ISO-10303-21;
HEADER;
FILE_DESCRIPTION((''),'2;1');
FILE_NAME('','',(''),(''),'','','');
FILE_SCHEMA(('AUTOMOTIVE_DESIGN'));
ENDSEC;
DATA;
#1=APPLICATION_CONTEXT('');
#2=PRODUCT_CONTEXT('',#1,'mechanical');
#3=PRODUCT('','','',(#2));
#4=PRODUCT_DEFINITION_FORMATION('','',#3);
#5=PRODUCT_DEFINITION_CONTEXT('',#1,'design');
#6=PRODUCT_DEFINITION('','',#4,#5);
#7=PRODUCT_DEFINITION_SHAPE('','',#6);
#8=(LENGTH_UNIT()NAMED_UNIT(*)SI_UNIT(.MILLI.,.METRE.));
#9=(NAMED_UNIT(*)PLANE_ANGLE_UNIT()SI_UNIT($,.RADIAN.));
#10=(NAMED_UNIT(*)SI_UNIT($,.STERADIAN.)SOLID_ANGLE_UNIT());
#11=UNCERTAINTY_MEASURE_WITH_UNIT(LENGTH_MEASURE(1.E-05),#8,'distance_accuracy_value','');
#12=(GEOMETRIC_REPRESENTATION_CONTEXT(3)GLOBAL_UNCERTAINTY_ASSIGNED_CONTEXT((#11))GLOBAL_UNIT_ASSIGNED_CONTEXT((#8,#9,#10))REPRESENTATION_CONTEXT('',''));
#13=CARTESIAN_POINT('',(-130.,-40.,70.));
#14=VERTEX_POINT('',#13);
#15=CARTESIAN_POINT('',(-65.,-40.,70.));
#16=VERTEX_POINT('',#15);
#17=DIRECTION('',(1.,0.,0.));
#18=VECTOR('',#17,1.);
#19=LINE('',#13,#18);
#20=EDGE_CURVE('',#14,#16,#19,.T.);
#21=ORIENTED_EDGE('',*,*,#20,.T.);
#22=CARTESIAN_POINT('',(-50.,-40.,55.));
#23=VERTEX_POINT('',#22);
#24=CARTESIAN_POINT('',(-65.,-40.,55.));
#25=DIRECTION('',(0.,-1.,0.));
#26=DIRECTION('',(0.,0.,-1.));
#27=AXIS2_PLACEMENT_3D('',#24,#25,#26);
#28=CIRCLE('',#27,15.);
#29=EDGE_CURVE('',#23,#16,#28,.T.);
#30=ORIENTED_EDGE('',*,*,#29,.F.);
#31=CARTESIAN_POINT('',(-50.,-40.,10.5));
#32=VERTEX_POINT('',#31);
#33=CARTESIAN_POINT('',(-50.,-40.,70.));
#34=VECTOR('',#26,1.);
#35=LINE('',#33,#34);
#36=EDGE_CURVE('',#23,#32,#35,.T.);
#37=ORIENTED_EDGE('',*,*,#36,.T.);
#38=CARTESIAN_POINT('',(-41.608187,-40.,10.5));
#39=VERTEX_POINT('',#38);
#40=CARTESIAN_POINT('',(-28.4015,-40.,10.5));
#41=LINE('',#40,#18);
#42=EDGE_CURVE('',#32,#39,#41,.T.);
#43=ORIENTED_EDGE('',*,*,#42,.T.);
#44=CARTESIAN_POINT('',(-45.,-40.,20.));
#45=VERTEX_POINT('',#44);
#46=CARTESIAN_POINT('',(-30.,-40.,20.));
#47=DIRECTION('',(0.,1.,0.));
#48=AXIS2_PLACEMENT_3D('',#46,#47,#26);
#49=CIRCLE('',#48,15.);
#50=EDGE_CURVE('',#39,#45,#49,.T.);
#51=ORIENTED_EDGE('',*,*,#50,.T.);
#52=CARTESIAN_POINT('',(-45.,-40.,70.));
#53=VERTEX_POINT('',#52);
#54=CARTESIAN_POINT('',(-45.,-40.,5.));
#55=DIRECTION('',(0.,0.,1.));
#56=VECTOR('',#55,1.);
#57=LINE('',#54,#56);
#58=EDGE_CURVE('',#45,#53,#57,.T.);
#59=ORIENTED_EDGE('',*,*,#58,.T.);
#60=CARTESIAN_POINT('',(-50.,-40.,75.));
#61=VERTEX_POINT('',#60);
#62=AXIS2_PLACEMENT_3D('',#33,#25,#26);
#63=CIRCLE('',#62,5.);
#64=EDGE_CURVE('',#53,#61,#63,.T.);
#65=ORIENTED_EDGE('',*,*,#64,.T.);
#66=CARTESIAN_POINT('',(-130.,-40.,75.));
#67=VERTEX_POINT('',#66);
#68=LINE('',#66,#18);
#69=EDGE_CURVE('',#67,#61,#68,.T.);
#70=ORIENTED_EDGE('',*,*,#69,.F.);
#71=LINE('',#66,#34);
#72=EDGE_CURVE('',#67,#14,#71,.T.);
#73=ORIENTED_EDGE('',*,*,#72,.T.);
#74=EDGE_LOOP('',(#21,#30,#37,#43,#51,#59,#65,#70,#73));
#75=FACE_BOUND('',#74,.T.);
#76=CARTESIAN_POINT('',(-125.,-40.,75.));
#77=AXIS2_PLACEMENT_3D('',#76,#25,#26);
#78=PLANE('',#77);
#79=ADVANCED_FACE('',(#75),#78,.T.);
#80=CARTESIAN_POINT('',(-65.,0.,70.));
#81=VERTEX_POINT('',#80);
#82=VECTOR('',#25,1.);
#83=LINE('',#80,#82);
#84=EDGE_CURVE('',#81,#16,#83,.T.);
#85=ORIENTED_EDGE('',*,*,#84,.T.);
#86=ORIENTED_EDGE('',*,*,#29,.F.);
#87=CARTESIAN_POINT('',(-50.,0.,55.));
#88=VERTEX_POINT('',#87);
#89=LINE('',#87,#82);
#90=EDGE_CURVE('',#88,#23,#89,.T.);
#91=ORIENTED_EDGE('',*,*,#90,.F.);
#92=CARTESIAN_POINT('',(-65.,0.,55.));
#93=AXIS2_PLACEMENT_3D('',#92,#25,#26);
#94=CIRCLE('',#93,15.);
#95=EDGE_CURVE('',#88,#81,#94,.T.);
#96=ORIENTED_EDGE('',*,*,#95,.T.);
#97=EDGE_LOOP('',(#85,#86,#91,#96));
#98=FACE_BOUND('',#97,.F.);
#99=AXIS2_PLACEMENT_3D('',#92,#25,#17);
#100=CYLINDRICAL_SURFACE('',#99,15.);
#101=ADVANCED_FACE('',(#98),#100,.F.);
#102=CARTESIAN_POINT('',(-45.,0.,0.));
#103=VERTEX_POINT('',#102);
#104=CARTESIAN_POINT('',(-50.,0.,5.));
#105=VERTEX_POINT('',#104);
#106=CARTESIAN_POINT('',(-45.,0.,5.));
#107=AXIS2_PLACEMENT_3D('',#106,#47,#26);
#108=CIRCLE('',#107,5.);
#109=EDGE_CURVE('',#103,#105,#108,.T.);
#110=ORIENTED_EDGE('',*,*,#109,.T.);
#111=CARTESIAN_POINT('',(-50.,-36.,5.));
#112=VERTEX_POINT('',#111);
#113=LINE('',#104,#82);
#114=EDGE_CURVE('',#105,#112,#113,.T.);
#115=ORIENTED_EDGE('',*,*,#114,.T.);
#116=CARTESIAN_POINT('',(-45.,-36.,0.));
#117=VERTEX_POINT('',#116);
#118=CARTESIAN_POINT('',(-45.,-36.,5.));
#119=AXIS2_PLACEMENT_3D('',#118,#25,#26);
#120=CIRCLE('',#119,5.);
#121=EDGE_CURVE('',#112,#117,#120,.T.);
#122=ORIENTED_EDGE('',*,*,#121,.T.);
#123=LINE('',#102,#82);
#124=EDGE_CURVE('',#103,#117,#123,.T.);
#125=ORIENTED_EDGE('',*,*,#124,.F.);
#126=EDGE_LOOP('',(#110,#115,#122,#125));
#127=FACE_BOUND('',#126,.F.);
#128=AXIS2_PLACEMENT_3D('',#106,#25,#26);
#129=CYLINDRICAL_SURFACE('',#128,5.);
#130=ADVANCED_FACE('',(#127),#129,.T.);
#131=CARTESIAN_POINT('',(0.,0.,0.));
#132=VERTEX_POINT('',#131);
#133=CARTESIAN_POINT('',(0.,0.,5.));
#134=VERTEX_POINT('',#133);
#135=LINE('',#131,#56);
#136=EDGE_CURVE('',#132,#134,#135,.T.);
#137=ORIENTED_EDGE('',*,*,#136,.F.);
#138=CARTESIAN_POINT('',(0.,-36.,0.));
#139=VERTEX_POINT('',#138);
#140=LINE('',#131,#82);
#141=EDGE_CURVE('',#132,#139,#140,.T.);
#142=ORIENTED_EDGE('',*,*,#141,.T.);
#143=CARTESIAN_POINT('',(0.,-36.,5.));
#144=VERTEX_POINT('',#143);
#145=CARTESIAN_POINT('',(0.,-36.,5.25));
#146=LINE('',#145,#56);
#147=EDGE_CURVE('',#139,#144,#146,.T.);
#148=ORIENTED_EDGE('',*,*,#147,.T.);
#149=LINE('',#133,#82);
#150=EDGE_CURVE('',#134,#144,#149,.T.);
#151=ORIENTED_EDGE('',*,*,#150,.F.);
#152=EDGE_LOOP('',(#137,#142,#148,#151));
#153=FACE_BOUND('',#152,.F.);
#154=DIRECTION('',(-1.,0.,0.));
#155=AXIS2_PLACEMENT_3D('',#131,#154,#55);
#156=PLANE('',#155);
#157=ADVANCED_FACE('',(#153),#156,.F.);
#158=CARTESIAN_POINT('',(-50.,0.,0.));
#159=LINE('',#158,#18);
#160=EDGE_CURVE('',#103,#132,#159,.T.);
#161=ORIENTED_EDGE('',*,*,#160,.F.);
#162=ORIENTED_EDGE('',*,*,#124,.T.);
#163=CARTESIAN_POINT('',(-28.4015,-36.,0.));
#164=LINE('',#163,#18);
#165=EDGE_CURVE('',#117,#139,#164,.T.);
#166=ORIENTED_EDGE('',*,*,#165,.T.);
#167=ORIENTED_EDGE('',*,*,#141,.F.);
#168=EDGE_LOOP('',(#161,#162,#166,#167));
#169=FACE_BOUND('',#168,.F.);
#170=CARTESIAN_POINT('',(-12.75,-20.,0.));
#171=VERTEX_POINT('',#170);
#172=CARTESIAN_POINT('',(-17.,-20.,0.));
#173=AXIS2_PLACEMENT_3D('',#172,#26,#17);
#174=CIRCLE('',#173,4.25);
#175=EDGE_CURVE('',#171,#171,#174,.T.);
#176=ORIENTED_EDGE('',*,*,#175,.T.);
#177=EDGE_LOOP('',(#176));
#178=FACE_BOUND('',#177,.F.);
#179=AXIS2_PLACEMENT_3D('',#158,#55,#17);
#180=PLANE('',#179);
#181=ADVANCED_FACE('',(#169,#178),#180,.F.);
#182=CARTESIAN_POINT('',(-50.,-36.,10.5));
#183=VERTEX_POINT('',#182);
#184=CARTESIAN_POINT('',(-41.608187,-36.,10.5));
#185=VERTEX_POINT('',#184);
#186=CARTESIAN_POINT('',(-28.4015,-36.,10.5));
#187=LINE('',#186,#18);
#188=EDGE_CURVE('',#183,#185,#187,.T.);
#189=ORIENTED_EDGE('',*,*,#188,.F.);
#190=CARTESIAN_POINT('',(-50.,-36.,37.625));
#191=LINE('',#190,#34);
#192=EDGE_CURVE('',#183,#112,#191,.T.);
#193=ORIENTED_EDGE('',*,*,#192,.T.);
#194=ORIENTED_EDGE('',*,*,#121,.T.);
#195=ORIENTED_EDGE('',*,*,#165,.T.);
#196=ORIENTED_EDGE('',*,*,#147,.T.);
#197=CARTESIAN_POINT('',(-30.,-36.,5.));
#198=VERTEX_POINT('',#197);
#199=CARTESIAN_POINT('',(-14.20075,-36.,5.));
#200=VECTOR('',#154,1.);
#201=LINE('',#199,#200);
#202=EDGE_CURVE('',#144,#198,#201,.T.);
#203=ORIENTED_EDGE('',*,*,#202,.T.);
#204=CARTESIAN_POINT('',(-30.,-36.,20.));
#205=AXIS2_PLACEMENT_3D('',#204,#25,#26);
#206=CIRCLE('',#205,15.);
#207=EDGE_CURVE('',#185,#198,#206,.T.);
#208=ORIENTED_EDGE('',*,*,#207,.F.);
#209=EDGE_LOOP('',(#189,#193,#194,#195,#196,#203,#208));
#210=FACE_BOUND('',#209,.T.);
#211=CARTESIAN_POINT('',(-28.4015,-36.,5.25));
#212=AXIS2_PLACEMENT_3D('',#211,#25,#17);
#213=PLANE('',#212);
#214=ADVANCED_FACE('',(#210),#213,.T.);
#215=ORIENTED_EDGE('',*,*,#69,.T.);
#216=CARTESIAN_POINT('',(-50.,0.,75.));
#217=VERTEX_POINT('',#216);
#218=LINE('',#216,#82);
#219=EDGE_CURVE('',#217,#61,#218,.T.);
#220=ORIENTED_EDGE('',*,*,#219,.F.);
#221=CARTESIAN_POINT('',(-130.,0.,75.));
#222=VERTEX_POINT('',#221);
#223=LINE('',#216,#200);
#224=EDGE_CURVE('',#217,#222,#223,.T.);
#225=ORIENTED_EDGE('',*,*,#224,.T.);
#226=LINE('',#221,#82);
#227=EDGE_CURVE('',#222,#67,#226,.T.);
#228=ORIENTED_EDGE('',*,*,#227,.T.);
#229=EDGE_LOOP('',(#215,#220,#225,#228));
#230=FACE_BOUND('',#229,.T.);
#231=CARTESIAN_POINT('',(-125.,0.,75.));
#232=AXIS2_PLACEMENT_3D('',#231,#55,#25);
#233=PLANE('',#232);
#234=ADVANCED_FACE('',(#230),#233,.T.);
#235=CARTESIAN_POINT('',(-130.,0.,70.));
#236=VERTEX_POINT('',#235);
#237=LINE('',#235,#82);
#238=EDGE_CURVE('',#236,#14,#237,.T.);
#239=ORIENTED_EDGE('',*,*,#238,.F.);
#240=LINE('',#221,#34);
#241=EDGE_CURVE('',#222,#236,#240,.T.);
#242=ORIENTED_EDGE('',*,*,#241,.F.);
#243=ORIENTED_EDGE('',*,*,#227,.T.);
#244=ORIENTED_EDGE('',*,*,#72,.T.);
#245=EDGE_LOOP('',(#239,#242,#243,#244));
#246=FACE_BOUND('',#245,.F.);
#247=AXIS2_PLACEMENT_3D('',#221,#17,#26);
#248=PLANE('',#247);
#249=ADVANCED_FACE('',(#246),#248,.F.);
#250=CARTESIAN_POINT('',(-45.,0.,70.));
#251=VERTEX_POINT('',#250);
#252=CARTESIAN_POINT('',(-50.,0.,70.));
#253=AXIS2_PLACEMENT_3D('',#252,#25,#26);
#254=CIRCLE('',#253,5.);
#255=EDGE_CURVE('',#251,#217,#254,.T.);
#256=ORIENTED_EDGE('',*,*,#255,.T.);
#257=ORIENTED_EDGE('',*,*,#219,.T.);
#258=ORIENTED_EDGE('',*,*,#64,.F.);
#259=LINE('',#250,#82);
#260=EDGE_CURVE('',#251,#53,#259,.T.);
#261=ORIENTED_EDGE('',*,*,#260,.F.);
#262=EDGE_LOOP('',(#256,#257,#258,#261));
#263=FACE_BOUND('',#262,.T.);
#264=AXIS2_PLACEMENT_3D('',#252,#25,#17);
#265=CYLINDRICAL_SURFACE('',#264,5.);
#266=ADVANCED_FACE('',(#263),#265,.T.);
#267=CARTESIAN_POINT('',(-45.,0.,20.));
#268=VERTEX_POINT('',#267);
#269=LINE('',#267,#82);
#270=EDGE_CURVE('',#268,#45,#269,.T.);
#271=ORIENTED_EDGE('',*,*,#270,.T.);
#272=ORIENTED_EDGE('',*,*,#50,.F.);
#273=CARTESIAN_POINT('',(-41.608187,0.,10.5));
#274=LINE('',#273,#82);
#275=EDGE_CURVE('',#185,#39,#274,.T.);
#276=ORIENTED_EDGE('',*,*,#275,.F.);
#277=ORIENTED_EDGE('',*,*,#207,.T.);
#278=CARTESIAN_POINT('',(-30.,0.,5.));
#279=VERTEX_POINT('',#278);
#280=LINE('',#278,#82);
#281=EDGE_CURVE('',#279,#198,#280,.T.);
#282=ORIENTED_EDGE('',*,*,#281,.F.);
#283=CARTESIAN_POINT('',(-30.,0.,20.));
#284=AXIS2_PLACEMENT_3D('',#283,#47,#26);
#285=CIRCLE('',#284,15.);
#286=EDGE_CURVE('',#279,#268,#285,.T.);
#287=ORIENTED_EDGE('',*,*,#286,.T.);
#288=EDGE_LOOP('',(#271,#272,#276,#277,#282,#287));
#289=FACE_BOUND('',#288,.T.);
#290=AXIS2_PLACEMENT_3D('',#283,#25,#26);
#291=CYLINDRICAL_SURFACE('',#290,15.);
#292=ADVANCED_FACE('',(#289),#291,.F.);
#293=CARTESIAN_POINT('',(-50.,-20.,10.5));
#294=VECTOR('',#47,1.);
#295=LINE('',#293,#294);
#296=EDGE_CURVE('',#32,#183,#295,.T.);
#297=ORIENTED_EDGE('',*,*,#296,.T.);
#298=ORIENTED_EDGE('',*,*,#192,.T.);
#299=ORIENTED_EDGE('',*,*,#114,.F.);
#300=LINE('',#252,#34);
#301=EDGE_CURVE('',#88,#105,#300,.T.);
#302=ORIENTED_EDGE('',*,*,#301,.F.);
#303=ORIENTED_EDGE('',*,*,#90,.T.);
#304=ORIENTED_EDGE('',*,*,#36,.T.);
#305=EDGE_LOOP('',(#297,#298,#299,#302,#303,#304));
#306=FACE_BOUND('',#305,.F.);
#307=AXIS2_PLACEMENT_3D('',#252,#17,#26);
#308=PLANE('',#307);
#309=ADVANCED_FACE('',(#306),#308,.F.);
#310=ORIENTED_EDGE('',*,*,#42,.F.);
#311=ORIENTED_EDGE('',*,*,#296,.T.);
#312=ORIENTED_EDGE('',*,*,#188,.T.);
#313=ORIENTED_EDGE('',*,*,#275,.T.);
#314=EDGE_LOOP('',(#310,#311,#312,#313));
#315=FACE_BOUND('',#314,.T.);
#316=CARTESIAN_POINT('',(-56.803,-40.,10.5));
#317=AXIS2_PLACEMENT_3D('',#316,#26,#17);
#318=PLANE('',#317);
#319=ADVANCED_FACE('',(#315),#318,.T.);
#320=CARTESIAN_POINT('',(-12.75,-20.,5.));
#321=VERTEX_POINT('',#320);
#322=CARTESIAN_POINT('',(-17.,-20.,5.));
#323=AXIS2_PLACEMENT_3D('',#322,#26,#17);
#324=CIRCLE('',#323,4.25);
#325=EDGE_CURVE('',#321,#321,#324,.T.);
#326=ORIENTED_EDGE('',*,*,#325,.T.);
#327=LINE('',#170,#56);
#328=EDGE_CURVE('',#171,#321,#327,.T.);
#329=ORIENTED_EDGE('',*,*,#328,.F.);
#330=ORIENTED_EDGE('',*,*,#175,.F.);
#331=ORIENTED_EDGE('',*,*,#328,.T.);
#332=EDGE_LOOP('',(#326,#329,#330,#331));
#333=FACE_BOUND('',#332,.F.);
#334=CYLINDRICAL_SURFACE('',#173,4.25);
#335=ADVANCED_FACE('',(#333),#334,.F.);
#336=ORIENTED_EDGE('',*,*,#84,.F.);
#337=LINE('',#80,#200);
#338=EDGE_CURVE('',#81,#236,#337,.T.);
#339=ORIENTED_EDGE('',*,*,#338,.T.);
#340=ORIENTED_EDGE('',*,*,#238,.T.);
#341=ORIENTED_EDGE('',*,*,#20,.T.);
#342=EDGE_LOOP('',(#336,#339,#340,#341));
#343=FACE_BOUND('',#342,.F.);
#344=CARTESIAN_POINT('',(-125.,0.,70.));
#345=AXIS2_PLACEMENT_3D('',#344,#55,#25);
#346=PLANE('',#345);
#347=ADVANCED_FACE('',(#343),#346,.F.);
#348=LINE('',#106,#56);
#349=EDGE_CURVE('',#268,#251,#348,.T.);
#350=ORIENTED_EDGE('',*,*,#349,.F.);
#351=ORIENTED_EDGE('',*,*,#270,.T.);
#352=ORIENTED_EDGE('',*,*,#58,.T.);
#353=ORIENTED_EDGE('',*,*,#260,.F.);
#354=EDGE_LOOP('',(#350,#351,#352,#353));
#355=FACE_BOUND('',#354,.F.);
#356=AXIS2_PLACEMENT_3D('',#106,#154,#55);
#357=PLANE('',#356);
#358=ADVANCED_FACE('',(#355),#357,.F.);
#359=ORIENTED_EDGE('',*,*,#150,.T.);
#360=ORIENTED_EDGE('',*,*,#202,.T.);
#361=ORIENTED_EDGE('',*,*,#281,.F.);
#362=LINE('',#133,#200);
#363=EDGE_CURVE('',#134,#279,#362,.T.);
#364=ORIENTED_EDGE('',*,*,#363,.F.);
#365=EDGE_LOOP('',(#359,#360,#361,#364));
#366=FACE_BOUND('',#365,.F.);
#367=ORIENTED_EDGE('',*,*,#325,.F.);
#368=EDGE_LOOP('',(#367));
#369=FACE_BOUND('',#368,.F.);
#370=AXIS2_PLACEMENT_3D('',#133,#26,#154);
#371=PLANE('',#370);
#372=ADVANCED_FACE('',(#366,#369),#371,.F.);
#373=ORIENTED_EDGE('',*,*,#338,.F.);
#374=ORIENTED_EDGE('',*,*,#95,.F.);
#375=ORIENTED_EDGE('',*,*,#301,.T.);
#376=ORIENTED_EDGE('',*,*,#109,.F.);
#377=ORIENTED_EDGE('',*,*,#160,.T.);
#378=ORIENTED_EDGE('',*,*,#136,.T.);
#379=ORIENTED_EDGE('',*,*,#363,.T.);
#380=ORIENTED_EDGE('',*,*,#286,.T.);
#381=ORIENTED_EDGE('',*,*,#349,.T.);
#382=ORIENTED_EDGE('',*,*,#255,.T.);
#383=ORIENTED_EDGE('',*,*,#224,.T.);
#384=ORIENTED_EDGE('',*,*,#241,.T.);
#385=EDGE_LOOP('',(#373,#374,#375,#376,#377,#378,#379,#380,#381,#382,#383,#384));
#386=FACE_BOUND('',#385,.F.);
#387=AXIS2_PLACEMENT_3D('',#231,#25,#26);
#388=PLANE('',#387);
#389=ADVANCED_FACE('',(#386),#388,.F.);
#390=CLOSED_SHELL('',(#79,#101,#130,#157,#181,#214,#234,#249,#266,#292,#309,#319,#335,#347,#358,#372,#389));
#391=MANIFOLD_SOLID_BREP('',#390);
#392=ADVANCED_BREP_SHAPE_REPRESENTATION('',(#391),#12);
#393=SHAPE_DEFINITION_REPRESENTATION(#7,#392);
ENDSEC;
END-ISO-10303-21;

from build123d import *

# Parameters (mm, degrees)
F1_DEPTH = 40
F2_R     = 4.25
F3_DEPTH = 25
F4_R     = 15
F5_R     = 5
F6_W     = 56.803
F6_H     = 10.5
F7_DEPTH = 4
F8_DEPTH = 5


with BuildPart() as f1:
    # F0 (on Front) → F1 (new body)
    with BuildSketch(Plane.XZ):
        Polygon((-45, 0), (0, 0), (0, 5), (-45, 5), (-45, 70), (-45, 75), (-125, 75), (-125, 70), (-50, 70), (-50, 0), align=None)
    extrude(amount=F1_DEPTH)

    # F2 (on face) → F3 (cut)
    with BuildSketch(Plane(origin=(0, 0, 0), x_dir=(1, 0, 0), z_dir=(0, 0, -1))):
        with Locations((-17, 20)):
            Circle(F2_R)
    extrude(amount=-F3_DEPTH, mode=Mode.SUBTRACT)

    # F4
    f4_edges = [f1.edges().sort_by_distance(p)[0] for p in [
        (-45, -20, 5),
        (-50, -20, 70),
    ]]
    fillet(f4_edges, radius=F4_R)

    # F5
    f5_edges = [f1.edges().sort_by_distance(p)[0] for p in [
        (-45, -20, 75),
        (-50, -20, 0),
    ]]
    fillet(f5_edges, radius=F5_R)

    # F6 (on face) → F7 (cut)
    with BuildSketch(Plane.XZ.offset(40)):
        with Locations((-28.4015, 5.25)):
            Rectangle(F6_W, F6_H)
    extrude(amount=-F7_DEPTH, mode=Mode.SUBTRACT)

    # F8 (add): a face of the model
    f8_faces = [f1.faces().sort_by_distance(p)[0] for p in [
        (-125, -20, 72.5),
    ]]
    extrude(f8_faces, amount=F8_DEPTH)


solid = f1.part
